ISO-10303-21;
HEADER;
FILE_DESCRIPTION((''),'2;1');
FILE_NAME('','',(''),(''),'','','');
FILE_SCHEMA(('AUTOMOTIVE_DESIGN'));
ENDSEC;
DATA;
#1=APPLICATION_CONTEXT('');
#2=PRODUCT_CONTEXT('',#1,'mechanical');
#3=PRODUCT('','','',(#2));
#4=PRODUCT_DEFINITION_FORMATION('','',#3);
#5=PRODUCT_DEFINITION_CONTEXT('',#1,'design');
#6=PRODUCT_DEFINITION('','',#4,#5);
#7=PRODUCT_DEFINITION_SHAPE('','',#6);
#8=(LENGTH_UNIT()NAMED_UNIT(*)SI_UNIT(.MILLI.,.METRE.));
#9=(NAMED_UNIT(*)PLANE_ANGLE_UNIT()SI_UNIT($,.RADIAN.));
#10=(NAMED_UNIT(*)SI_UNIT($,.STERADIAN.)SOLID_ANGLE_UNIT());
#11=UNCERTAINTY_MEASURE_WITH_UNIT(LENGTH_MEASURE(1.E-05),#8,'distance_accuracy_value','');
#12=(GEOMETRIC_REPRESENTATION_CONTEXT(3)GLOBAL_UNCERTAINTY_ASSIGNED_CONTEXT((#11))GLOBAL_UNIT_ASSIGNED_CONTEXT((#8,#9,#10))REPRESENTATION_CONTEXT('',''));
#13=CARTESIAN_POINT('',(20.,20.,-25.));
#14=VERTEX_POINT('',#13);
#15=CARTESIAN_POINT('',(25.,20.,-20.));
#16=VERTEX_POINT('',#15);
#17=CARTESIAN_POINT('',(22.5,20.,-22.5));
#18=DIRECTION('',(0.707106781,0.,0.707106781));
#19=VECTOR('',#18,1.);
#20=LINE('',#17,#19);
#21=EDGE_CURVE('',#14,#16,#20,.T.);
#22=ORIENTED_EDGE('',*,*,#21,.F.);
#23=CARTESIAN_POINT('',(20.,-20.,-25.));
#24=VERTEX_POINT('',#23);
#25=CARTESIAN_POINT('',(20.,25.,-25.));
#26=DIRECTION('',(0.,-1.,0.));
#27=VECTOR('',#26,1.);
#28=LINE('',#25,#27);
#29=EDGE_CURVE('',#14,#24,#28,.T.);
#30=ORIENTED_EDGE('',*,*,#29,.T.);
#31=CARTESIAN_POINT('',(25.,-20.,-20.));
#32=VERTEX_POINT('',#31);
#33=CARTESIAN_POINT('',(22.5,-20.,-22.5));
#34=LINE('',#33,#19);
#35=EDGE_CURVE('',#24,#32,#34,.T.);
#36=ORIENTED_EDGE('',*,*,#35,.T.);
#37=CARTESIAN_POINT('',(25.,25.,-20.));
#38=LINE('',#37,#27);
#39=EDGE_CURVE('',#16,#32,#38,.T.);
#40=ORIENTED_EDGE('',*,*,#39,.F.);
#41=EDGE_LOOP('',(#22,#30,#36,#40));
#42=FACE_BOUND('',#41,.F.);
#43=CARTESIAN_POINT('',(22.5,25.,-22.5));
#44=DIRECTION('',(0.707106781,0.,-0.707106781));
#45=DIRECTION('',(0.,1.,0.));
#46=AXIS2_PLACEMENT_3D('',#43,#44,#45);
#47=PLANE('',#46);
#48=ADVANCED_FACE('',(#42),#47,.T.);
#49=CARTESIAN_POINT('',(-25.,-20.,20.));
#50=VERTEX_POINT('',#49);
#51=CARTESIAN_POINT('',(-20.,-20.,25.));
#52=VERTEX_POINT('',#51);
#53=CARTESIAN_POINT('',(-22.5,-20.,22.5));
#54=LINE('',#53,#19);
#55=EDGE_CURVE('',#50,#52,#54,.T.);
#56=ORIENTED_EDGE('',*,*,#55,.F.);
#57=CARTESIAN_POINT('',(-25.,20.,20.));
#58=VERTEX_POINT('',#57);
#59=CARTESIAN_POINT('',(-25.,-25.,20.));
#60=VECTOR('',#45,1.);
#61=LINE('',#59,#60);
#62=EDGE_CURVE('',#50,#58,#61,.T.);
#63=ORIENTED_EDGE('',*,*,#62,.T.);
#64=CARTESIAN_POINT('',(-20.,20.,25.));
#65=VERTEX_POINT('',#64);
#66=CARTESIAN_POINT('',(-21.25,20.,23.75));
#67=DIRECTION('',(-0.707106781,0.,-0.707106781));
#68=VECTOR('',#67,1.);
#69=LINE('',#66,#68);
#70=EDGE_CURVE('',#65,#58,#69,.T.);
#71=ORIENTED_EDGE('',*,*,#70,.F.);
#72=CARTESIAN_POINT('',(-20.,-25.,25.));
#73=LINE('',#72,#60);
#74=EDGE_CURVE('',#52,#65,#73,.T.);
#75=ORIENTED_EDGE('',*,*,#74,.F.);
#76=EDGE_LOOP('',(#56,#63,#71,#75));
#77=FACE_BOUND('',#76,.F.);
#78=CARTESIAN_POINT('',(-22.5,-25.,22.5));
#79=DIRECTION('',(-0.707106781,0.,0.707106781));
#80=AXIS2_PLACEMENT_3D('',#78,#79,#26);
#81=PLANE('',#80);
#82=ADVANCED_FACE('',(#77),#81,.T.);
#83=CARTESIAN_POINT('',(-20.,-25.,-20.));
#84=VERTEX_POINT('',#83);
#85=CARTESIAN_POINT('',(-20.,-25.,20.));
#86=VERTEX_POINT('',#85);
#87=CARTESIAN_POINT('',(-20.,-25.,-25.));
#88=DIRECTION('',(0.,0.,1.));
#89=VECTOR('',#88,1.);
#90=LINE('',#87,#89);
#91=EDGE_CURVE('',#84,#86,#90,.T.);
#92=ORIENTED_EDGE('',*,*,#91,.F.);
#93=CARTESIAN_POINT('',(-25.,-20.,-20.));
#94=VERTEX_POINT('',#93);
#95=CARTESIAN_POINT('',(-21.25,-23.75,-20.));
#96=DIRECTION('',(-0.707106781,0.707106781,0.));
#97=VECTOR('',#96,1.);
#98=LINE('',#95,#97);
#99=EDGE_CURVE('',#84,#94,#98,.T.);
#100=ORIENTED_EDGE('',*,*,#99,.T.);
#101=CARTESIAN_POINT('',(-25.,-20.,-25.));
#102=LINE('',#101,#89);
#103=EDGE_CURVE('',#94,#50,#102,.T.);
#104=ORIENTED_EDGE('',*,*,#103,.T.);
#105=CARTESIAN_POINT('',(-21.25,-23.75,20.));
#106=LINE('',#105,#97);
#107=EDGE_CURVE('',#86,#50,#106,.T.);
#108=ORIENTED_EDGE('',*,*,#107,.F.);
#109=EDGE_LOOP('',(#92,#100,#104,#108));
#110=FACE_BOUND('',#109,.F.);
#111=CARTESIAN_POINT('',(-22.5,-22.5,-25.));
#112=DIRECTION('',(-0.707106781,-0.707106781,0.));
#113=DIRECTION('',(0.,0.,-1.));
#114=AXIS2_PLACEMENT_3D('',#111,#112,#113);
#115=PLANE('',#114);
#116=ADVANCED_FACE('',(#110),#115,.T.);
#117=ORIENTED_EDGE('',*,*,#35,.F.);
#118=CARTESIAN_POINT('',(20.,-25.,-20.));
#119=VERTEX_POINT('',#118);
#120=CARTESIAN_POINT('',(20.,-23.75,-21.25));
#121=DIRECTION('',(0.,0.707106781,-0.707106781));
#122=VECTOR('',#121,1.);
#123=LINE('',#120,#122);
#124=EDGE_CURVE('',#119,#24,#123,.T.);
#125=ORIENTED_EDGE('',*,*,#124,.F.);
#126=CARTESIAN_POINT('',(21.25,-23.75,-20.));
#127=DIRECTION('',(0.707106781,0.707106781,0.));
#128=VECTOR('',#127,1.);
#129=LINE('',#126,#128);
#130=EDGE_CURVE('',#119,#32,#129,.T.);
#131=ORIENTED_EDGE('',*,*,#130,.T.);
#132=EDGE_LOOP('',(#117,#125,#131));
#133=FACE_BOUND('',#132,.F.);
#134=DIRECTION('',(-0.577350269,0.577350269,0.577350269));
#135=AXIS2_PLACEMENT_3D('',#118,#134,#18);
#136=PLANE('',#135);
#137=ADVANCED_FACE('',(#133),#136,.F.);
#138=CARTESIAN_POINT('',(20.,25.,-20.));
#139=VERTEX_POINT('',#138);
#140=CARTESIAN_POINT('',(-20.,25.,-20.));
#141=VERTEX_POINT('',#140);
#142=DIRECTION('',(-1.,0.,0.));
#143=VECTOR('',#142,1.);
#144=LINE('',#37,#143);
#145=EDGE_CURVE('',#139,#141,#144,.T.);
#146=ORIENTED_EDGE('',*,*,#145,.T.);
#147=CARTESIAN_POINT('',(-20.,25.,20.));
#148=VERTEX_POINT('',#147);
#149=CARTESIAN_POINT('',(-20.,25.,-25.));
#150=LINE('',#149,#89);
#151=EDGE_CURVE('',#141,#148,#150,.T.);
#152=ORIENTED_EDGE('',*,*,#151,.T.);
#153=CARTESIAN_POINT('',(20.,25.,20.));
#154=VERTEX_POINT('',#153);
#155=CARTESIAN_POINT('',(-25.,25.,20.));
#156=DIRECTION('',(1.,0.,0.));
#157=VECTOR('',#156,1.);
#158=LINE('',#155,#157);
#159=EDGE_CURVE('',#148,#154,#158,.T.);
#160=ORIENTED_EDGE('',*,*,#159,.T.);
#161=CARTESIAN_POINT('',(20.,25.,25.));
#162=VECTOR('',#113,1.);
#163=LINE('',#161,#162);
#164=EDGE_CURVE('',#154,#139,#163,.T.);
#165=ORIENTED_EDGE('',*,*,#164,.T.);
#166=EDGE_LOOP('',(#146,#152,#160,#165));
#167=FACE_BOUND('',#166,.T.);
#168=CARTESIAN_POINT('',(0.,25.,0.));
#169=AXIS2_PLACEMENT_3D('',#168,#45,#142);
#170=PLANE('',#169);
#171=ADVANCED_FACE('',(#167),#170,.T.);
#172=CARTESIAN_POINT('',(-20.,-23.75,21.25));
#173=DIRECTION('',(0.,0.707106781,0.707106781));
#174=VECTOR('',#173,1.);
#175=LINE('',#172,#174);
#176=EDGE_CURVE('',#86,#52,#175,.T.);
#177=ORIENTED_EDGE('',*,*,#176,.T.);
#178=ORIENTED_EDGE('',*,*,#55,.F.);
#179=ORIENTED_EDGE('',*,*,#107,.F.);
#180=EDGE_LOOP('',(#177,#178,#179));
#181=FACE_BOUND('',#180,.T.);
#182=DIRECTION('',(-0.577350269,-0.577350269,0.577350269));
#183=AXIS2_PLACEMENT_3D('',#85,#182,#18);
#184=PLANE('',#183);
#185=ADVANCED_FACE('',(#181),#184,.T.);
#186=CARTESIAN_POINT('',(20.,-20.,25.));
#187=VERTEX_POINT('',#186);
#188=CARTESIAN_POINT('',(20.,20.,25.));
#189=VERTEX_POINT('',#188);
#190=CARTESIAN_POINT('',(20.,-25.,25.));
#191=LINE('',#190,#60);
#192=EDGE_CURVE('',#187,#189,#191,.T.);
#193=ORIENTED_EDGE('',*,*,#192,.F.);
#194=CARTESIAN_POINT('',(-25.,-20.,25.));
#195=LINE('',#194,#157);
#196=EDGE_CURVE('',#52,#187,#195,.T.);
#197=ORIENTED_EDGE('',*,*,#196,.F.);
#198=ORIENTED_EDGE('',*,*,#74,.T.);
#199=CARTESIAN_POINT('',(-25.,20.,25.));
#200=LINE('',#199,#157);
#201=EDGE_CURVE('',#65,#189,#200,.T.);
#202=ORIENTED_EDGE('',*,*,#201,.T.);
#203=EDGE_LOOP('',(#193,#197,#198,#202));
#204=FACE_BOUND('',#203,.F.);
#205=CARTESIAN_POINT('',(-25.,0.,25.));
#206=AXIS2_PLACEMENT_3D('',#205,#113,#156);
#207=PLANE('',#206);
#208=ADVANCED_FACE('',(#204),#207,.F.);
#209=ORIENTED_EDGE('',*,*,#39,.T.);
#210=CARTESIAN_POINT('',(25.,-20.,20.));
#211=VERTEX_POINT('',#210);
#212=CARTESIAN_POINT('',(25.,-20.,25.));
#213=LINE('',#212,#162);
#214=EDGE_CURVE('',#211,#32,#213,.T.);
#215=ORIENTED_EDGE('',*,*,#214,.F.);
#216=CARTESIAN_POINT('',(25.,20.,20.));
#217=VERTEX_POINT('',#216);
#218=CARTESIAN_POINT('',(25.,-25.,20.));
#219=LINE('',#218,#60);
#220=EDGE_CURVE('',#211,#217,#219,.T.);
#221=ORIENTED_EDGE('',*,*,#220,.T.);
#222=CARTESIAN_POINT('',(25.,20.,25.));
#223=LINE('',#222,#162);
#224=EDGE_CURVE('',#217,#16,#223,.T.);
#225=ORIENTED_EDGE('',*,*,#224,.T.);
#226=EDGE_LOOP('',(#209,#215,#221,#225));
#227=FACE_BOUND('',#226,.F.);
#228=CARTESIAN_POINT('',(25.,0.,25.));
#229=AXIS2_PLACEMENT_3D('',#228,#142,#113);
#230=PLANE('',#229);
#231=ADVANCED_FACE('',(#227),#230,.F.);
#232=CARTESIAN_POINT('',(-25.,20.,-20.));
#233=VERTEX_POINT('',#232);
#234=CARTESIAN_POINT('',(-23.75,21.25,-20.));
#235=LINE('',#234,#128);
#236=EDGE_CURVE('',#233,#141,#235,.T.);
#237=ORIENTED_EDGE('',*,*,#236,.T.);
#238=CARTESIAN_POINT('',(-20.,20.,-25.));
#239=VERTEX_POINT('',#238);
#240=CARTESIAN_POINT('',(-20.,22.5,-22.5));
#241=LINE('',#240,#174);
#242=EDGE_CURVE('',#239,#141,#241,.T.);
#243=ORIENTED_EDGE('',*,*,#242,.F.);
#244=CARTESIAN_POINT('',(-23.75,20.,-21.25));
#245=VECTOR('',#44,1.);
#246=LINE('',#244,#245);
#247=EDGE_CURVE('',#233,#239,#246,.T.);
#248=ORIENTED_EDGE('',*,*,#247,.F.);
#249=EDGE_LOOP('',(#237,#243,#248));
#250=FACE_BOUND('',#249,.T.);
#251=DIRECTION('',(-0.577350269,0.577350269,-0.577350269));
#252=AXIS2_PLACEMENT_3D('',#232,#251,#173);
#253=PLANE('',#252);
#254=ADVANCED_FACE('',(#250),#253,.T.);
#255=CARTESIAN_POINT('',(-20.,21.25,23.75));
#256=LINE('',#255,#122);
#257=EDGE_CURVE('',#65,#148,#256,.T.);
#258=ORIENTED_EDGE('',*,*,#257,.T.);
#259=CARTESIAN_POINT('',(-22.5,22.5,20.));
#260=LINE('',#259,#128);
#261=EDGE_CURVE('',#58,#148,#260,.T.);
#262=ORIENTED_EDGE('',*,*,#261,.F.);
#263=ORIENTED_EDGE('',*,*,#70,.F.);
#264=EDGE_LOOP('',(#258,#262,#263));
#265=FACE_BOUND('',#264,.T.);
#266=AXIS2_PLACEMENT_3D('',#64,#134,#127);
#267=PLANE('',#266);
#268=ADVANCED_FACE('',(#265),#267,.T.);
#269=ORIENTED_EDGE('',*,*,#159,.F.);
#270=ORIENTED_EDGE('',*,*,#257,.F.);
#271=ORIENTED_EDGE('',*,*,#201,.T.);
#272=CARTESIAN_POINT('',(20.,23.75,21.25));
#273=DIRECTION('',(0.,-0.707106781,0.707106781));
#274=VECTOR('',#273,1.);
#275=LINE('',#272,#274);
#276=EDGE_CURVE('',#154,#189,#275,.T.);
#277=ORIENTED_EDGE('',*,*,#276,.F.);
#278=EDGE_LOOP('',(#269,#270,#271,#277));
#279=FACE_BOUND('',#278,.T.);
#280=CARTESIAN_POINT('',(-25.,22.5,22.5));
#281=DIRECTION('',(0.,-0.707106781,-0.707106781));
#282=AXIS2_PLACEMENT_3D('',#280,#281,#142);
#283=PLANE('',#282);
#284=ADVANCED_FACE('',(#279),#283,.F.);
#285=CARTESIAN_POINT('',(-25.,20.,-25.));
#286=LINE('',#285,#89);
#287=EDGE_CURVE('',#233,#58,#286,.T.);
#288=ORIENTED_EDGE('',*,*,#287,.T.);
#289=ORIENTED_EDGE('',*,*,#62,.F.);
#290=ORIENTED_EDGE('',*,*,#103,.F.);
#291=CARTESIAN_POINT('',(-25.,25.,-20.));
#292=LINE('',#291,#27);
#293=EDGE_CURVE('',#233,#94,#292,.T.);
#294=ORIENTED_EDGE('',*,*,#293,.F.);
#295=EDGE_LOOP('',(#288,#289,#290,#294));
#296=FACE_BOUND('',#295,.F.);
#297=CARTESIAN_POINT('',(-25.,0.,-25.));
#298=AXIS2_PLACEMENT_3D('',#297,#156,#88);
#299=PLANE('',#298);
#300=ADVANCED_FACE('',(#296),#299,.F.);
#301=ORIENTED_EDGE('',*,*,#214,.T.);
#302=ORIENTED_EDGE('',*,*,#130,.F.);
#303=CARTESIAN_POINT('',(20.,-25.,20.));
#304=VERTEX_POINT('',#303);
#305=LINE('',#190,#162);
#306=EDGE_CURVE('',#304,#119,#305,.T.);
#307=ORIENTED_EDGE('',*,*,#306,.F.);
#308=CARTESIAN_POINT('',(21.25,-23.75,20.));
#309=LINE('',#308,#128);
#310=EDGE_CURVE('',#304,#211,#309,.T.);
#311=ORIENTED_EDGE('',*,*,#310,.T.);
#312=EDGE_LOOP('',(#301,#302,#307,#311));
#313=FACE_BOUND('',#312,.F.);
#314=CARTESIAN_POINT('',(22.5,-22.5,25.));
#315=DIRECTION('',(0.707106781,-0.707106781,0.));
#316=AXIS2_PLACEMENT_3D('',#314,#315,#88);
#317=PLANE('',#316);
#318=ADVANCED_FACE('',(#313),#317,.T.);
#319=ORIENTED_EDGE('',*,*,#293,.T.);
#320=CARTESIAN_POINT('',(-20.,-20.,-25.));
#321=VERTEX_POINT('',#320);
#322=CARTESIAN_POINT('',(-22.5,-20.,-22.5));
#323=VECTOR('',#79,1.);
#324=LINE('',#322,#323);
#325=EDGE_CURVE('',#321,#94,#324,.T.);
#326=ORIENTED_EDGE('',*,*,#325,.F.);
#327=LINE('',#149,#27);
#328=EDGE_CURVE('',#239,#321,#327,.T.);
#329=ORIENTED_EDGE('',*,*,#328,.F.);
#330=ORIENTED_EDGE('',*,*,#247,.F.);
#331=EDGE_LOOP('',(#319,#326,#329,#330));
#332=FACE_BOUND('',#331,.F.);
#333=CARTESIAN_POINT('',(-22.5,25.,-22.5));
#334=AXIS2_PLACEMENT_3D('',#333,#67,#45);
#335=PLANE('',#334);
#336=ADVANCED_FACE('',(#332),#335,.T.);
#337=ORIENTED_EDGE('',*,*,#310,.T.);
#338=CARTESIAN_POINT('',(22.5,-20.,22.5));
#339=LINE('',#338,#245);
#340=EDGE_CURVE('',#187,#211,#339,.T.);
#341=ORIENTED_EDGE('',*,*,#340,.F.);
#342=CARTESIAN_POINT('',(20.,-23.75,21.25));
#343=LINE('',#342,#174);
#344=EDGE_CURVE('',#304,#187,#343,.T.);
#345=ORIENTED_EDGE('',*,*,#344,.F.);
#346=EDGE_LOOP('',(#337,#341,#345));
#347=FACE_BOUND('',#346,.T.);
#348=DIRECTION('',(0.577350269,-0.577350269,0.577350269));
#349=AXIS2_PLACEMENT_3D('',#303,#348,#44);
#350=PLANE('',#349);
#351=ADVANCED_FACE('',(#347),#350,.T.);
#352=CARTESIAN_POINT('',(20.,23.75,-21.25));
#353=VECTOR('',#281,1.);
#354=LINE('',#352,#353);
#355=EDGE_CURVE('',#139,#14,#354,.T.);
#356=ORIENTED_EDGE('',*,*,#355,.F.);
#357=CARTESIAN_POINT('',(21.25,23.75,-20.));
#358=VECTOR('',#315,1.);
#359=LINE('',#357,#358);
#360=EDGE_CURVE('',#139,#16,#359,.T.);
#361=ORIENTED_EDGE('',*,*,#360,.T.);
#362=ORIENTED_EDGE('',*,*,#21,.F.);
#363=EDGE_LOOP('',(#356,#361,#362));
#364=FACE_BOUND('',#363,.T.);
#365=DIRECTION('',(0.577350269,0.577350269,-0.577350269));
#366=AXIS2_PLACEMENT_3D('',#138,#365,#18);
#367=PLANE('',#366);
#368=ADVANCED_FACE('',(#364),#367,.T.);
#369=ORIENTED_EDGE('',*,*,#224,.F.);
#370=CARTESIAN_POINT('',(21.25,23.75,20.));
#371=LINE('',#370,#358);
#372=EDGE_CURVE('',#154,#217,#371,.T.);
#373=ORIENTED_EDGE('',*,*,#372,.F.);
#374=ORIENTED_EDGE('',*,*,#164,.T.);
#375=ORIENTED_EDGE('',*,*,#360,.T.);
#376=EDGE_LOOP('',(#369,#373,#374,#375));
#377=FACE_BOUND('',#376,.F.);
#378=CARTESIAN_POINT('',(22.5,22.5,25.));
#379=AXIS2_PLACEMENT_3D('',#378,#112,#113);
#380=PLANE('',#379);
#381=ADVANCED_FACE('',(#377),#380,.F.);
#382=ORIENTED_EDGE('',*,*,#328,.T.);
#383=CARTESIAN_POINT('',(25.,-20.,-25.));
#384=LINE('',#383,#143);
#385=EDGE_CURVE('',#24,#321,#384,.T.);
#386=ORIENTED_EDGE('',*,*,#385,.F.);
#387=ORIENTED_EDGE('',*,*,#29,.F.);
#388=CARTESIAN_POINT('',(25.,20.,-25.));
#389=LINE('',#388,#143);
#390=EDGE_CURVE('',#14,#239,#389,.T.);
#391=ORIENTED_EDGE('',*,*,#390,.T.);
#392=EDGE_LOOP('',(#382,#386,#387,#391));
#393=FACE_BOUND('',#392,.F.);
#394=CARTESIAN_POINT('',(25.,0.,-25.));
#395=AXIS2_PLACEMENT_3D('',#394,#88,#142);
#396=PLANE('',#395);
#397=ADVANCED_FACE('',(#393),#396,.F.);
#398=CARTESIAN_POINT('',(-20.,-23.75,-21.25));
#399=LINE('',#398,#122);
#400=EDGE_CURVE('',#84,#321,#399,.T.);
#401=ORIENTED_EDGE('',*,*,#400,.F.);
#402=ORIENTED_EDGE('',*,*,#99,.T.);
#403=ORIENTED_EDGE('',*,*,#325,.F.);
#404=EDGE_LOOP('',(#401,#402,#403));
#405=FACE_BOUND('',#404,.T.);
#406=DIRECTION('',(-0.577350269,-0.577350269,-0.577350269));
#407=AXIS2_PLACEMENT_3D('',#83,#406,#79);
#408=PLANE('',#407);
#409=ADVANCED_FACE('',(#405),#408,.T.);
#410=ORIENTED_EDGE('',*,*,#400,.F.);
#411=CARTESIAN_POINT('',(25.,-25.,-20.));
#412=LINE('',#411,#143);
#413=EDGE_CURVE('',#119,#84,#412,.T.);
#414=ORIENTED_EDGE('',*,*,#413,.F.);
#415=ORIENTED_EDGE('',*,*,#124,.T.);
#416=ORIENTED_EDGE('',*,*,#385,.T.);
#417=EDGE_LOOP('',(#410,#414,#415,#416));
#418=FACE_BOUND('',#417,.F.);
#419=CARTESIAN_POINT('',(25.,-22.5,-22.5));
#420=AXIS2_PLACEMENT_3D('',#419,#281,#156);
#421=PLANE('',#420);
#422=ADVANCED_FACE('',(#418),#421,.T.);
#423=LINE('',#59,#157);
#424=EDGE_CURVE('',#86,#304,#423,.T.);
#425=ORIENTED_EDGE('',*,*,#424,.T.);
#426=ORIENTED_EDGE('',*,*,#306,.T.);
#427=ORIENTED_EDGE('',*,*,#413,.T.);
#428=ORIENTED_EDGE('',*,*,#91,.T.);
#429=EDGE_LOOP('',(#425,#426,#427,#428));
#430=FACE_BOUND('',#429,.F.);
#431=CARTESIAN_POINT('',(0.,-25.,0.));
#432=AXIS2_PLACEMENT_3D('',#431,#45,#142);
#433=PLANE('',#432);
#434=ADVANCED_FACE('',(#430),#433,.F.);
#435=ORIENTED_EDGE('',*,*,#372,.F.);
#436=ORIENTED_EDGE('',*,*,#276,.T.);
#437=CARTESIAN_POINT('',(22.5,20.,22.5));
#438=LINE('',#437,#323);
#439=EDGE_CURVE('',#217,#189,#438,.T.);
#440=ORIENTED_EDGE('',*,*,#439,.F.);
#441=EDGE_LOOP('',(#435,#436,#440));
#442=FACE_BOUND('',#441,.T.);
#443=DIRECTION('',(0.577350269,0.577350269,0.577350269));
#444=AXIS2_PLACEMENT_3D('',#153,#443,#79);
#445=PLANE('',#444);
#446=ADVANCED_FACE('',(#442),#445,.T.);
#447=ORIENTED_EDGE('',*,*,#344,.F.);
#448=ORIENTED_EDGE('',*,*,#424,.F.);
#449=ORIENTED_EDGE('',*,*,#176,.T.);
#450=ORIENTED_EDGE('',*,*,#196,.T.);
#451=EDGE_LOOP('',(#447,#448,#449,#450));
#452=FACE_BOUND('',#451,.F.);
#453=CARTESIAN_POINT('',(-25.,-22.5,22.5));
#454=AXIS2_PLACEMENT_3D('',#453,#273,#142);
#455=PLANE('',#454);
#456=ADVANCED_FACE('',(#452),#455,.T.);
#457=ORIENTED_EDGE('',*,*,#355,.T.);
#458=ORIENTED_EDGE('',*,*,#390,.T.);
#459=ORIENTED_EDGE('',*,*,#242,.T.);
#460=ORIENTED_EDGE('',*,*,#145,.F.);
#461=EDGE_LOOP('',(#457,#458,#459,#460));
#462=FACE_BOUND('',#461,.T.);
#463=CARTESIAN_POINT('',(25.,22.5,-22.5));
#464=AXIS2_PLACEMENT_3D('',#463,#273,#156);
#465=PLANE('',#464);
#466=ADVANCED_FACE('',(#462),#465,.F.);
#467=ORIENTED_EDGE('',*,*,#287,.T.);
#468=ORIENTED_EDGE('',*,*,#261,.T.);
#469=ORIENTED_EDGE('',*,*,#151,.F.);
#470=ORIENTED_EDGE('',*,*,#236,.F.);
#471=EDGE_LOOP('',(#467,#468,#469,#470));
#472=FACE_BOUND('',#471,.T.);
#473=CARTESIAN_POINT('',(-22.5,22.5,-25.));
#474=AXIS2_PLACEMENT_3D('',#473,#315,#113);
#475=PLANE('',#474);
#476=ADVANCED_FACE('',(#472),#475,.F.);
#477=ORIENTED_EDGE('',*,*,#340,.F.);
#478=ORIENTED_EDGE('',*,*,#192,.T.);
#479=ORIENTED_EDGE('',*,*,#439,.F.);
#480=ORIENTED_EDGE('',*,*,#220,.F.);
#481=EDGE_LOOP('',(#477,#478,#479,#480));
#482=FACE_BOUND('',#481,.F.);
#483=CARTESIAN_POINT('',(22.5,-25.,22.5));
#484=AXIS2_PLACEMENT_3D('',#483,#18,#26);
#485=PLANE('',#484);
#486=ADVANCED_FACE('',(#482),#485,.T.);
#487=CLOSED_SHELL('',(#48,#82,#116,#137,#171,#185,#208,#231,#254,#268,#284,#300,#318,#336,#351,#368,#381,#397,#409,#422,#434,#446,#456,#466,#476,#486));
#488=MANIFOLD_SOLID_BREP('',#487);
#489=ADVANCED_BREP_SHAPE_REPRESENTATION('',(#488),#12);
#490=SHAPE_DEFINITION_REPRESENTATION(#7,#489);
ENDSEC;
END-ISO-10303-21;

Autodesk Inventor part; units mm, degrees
ref_plane "YZ Plane" through (0, 0, 0) normal (1, 0, 0) x (0, 1, 0)
ref_plane "XZ Plane" through (0, 0, 0) normal (0, 1, 0) x (-1, 0, 0)
ref_plane "XY Plane" through (0, 0, 0) normal (0, 0, 1) x (1, 0, 0)
sketch "Sketch1" plane through (0, 0, 0) normal (0, 1, 0) x (-1, 0, 0)
  line L0 (25, 25) -> (-25, 25)
  line L1 (-25, 25) -> (-25, -25)
  line L2 (-25, -25) -> (25, -25)
  line L3 (25, -25) -> (25, 25)
  line L4 (25, 25) -> (-25, -25) construction
  line L5 (-25, 25) -> (25, -25) construction
  point P0 (0, 0)
  dimension "d0" = 50
  dimension "d1" = 50
extrude "Extrusion1" add sketch "Sketch1" along normal mid plane 50
chamfer "Chamfer1" distance 5 angle 45 12 edges at (25, 0, -25) (0, 25, -25) (-25, 0, -25) (-25, 25, 0) (-25, 0, 25) (25, 0, 25) (0, -25, -25) (-25, -25, 0) (0, -25, 25) (25, -25, 0) (25, 25, 0) (0, 25, 25)
properties part number "ElementaryCube" material "Iron, Cast"
